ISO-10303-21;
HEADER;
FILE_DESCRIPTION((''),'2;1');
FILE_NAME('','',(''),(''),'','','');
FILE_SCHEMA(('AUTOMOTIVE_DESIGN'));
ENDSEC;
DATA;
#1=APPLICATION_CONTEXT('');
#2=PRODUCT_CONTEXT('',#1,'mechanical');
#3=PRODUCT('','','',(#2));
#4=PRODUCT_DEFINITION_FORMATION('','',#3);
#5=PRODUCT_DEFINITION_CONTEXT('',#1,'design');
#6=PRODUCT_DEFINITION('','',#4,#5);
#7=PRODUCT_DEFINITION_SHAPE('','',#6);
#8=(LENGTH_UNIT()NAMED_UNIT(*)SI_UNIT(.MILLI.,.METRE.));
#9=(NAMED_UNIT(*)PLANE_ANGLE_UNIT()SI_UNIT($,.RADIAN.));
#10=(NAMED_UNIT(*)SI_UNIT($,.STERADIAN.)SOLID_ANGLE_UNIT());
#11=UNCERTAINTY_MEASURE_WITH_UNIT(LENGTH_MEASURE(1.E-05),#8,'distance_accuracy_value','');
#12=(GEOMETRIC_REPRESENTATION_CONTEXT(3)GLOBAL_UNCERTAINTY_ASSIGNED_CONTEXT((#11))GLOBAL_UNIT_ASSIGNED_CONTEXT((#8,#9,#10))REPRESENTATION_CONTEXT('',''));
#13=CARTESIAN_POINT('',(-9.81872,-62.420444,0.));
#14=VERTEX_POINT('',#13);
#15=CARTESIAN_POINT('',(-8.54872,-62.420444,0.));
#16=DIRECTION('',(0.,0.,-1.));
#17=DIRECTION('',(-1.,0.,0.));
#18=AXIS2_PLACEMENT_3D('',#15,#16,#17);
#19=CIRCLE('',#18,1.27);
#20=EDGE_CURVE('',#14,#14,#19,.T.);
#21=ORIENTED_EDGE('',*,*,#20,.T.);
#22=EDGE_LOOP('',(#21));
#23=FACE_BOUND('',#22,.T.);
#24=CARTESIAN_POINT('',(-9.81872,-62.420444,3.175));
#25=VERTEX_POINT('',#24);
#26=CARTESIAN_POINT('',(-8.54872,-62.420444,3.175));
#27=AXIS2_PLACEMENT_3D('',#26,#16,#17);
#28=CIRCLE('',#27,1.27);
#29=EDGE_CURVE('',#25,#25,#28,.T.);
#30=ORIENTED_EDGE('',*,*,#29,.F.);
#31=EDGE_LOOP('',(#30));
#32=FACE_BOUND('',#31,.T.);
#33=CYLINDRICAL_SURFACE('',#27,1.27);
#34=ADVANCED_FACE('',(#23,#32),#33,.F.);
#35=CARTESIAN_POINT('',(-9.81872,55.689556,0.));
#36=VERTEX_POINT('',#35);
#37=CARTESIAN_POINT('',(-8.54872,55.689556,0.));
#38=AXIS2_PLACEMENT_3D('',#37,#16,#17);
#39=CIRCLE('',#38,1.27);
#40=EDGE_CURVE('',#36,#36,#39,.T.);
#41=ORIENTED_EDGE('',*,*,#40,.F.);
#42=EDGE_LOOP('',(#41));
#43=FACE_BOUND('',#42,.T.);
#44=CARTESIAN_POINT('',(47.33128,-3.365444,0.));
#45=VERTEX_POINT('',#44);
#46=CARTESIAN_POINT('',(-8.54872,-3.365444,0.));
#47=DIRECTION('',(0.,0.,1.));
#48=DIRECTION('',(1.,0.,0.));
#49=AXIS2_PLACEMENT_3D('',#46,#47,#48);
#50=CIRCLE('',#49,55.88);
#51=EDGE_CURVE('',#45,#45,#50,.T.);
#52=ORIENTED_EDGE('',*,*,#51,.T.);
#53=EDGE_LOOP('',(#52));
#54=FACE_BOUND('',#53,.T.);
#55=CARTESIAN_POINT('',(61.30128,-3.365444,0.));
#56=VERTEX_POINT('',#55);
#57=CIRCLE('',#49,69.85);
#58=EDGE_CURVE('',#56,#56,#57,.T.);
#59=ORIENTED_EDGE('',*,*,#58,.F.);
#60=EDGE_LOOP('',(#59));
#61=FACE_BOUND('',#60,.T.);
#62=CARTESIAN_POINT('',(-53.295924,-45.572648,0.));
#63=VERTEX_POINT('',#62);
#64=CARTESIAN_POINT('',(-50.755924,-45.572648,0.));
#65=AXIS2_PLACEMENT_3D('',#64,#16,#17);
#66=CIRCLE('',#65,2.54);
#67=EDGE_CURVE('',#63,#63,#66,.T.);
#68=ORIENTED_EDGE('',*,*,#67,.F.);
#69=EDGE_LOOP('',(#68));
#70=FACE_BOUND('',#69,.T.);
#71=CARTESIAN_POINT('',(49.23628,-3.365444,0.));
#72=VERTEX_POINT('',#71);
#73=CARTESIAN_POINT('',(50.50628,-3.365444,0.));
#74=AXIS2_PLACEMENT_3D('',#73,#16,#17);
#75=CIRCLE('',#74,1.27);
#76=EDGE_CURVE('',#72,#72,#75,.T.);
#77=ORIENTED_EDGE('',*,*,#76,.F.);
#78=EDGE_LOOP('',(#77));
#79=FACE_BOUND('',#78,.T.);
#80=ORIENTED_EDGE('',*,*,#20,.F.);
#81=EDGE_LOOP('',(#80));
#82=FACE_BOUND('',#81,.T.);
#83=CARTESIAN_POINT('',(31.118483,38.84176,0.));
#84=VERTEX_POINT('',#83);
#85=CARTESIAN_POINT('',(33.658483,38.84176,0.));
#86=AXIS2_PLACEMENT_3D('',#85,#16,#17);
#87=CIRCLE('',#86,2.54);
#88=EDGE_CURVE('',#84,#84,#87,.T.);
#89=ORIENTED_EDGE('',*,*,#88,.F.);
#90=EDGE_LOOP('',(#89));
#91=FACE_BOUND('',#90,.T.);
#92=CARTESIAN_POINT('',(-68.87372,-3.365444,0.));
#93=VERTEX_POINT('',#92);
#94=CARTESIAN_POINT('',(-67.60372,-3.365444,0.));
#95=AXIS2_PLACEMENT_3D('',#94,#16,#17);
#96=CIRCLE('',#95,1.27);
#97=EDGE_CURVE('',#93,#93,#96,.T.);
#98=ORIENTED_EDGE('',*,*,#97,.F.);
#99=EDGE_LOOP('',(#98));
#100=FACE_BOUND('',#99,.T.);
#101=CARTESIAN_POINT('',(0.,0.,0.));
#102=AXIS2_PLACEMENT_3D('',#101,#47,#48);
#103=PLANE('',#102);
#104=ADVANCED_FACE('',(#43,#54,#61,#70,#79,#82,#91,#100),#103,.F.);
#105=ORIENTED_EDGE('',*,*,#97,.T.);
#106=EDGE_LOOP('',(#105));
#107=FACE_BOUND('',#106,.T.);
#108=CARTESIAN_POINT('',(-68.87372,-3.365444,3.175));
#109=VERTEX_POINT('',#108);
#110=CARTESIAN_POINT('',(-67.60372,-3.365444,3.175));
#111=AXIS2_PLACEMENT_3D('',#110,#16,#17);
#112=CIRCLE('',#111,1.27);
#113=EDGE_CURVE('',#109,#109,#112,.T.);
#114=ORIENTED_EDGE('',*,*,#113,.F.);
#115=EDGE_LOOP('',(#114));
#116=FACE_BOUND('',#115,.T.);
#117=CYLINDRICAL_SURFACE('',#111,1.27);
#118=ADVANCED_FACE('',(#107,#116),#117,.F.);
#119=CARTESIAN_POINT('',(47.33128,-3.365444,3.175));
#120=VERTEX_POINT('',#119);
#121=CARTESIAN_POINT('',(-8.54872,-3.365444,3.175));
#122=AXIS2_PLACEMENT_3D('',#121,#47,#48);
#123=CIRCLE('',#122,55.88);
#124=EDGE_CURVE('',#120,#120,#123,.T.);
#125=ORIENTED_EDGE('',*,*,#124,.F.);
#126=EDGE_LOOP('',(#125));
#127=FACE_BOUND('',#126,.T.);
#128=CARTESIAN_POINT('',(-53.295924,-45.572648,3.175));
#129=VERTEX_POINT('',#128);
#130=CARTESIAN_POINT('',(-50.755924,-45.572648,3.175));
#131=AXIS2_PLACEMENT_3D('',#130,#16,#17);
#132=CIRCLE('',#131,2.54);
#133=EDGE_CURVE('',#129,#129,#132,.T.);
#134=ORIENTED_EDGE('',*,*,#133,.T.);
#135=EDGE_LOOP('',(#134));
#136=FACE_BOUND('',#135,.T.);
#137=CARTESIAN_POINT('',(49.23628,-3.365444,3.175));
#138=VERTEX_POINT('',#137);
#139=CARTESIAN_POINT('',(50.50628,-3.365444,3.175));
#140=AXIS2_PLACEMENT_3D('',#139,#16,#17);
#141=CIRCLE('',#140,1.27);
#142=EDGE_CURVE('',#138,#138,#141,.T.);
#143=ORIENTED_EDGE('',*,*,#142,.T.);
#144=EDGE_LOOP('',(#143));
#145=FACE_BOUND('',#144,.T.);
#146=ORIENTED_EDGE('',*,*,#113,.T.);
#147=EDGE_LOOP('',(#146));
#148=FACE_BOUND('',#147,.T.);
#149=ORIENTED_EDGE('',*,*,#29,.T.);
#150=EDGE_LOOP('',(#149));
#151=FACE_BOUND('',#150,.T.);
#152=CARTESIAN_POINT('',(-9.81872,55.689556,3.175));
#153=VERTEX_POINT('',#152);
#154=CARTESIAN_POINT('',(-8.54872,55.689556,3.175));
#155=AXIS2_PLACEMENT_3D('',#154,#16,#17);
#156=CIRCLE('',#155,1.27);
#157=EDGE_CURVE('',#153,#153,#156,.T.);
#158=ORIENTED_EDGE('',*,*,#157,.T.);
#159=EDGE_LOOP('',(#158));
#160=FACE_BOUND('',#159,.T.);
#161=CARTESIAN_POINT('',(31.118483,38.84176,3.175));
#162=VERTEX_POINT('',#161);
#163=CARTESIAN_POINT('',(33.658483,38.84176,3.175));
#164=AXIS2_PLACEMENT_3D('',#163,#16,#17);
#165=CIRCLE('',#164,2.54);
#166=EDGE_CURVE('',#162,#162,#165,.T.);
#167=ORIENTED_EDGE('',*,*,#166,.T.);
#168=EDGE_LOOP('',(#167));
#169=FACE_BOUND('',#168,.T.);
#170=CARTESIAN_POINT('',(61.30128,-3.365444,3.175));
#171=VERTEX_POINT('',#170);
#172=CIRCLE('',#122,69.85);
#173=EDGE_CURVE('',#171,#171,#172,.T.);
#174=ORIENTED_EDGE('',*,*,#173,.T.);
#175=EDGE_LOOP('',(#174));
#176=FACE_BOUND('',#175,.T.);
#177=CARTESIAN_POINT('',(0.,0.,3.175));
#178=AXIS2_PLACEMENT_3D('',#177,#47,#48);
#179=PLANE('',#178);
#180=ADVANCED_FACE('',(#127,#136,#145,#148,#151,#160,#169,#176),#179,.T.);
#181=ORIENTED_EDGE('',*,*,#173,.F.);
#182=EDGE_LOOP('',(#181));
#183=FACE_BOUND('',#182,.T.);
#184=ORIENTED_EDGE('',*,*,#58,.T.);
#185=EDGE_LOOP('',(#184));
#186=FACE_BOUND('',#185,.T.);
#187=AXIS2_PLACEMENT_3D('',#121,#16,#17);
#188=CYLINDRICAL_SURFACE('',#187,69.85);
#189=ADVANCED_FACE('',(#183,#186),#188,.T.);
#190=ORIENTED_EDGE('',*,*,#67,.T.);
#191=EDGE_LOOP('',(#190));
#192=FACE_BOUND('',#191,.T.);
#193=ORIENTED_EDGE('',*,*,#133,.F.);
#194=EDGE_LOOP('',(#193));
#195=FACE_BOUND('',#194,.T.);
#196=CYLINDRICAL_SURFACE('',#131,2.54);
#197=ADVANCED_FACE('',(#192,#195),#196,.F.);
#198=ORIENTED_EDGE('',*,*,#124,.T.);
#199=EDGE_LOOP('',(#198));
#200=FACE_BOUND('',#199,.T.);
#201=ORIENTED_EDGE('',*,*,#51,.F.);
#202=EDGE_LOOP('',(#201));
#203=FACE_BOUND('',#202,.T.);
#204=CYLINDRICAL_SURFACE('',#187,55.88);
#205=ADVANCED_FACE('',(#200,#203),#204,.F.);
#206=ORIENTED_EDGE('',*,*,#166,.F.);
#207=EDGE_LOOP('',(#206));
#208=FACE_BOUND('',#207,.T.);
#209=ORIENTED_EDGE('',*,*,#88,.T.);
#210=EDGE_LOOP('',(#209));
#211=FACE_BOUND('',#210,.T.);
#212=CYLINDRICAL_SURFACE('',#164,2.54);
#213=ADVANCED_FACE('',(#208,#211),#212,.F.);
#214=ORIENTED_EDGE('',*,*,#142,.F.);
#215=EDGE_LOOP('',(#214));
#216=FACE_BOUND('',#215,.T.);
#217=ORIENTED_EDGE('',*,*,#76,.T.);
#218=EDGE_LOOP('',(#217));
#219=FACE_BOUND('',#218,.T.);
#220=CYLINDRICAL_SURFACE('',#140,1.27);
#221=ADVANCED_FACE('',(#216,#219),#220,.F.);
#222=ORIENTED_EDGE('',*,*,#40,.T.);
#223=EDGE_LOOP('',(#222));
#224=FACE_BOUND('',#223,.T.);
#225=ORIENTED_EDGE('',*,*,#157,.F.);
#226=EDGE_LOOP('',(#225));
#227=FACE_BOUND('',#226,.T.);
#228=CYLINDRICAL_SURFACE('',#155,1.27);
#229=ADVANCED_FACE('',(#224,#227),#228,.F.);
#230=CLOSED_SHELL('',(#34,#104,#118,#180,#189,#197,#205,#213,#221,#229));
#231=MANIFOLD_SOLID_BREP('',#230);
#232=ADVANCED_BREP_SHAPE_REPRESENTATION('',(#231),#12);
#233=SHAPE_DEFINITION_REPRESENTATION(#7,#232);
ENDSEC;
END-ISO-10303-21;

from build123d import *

# Parameters (mm, degrees)
SKETCH1_R           = 69.85
SKETCH1_R_2         = 55.88
BOSS_EXTRUDE1_DEPTH = 3.175
SKETCH4_R           = 1.27
SKETCH4_R_2         = 2.54
CUT_EXTRUDE2_DEPTH  = 108.317012813


with BuildPart() as part:
    # Sketch1 → Boss-Extrude1 (new body)
    with BuildSketch(Plane.XY):
        with Locations((-8.548720341, -3.365444156)):
            Circle(SKETCH1_R)
        with Locations((-8.548720341, -3.365444156)):
            Circle(SKETCH1_R_2, mode=Mode.SUBTRACT)
    extrude(amount=BOSS_EXTRUDE1_DEPTH)

    # Sketch4 → Cut-Extrude2 (cut, through all)
    with BuildSketch(Plane(origin=(0, 0, 0), x_dir=(-1, 0, 0), z_dir=(0, 0, -1))):
        with Locations((8.548720341, 55.689555844)):
            Circle(SKETCH4_R)
        with Locations((8.548720341, -62.420444156)):
            Circle(SKETCH4_R)
        with Locations((-50.506279659, -3.365444156)):
            Circle(SKETCH4_R)
        with Locations((67.603720341, -3.365444156)):
            Circle(SKETCH4_R)
        with Locations((-33.658483428, 38.841759613)):
            Circle(SKETCH4_R_2)
        with Locations((50.75592411, -45.572647925)):
            Circle(SKETCH4_R_2)
    extrude(amount=-CUT_EXTRUDE2_DEPTH, mode=Mode.SUBTRACT)


solid = part.part
